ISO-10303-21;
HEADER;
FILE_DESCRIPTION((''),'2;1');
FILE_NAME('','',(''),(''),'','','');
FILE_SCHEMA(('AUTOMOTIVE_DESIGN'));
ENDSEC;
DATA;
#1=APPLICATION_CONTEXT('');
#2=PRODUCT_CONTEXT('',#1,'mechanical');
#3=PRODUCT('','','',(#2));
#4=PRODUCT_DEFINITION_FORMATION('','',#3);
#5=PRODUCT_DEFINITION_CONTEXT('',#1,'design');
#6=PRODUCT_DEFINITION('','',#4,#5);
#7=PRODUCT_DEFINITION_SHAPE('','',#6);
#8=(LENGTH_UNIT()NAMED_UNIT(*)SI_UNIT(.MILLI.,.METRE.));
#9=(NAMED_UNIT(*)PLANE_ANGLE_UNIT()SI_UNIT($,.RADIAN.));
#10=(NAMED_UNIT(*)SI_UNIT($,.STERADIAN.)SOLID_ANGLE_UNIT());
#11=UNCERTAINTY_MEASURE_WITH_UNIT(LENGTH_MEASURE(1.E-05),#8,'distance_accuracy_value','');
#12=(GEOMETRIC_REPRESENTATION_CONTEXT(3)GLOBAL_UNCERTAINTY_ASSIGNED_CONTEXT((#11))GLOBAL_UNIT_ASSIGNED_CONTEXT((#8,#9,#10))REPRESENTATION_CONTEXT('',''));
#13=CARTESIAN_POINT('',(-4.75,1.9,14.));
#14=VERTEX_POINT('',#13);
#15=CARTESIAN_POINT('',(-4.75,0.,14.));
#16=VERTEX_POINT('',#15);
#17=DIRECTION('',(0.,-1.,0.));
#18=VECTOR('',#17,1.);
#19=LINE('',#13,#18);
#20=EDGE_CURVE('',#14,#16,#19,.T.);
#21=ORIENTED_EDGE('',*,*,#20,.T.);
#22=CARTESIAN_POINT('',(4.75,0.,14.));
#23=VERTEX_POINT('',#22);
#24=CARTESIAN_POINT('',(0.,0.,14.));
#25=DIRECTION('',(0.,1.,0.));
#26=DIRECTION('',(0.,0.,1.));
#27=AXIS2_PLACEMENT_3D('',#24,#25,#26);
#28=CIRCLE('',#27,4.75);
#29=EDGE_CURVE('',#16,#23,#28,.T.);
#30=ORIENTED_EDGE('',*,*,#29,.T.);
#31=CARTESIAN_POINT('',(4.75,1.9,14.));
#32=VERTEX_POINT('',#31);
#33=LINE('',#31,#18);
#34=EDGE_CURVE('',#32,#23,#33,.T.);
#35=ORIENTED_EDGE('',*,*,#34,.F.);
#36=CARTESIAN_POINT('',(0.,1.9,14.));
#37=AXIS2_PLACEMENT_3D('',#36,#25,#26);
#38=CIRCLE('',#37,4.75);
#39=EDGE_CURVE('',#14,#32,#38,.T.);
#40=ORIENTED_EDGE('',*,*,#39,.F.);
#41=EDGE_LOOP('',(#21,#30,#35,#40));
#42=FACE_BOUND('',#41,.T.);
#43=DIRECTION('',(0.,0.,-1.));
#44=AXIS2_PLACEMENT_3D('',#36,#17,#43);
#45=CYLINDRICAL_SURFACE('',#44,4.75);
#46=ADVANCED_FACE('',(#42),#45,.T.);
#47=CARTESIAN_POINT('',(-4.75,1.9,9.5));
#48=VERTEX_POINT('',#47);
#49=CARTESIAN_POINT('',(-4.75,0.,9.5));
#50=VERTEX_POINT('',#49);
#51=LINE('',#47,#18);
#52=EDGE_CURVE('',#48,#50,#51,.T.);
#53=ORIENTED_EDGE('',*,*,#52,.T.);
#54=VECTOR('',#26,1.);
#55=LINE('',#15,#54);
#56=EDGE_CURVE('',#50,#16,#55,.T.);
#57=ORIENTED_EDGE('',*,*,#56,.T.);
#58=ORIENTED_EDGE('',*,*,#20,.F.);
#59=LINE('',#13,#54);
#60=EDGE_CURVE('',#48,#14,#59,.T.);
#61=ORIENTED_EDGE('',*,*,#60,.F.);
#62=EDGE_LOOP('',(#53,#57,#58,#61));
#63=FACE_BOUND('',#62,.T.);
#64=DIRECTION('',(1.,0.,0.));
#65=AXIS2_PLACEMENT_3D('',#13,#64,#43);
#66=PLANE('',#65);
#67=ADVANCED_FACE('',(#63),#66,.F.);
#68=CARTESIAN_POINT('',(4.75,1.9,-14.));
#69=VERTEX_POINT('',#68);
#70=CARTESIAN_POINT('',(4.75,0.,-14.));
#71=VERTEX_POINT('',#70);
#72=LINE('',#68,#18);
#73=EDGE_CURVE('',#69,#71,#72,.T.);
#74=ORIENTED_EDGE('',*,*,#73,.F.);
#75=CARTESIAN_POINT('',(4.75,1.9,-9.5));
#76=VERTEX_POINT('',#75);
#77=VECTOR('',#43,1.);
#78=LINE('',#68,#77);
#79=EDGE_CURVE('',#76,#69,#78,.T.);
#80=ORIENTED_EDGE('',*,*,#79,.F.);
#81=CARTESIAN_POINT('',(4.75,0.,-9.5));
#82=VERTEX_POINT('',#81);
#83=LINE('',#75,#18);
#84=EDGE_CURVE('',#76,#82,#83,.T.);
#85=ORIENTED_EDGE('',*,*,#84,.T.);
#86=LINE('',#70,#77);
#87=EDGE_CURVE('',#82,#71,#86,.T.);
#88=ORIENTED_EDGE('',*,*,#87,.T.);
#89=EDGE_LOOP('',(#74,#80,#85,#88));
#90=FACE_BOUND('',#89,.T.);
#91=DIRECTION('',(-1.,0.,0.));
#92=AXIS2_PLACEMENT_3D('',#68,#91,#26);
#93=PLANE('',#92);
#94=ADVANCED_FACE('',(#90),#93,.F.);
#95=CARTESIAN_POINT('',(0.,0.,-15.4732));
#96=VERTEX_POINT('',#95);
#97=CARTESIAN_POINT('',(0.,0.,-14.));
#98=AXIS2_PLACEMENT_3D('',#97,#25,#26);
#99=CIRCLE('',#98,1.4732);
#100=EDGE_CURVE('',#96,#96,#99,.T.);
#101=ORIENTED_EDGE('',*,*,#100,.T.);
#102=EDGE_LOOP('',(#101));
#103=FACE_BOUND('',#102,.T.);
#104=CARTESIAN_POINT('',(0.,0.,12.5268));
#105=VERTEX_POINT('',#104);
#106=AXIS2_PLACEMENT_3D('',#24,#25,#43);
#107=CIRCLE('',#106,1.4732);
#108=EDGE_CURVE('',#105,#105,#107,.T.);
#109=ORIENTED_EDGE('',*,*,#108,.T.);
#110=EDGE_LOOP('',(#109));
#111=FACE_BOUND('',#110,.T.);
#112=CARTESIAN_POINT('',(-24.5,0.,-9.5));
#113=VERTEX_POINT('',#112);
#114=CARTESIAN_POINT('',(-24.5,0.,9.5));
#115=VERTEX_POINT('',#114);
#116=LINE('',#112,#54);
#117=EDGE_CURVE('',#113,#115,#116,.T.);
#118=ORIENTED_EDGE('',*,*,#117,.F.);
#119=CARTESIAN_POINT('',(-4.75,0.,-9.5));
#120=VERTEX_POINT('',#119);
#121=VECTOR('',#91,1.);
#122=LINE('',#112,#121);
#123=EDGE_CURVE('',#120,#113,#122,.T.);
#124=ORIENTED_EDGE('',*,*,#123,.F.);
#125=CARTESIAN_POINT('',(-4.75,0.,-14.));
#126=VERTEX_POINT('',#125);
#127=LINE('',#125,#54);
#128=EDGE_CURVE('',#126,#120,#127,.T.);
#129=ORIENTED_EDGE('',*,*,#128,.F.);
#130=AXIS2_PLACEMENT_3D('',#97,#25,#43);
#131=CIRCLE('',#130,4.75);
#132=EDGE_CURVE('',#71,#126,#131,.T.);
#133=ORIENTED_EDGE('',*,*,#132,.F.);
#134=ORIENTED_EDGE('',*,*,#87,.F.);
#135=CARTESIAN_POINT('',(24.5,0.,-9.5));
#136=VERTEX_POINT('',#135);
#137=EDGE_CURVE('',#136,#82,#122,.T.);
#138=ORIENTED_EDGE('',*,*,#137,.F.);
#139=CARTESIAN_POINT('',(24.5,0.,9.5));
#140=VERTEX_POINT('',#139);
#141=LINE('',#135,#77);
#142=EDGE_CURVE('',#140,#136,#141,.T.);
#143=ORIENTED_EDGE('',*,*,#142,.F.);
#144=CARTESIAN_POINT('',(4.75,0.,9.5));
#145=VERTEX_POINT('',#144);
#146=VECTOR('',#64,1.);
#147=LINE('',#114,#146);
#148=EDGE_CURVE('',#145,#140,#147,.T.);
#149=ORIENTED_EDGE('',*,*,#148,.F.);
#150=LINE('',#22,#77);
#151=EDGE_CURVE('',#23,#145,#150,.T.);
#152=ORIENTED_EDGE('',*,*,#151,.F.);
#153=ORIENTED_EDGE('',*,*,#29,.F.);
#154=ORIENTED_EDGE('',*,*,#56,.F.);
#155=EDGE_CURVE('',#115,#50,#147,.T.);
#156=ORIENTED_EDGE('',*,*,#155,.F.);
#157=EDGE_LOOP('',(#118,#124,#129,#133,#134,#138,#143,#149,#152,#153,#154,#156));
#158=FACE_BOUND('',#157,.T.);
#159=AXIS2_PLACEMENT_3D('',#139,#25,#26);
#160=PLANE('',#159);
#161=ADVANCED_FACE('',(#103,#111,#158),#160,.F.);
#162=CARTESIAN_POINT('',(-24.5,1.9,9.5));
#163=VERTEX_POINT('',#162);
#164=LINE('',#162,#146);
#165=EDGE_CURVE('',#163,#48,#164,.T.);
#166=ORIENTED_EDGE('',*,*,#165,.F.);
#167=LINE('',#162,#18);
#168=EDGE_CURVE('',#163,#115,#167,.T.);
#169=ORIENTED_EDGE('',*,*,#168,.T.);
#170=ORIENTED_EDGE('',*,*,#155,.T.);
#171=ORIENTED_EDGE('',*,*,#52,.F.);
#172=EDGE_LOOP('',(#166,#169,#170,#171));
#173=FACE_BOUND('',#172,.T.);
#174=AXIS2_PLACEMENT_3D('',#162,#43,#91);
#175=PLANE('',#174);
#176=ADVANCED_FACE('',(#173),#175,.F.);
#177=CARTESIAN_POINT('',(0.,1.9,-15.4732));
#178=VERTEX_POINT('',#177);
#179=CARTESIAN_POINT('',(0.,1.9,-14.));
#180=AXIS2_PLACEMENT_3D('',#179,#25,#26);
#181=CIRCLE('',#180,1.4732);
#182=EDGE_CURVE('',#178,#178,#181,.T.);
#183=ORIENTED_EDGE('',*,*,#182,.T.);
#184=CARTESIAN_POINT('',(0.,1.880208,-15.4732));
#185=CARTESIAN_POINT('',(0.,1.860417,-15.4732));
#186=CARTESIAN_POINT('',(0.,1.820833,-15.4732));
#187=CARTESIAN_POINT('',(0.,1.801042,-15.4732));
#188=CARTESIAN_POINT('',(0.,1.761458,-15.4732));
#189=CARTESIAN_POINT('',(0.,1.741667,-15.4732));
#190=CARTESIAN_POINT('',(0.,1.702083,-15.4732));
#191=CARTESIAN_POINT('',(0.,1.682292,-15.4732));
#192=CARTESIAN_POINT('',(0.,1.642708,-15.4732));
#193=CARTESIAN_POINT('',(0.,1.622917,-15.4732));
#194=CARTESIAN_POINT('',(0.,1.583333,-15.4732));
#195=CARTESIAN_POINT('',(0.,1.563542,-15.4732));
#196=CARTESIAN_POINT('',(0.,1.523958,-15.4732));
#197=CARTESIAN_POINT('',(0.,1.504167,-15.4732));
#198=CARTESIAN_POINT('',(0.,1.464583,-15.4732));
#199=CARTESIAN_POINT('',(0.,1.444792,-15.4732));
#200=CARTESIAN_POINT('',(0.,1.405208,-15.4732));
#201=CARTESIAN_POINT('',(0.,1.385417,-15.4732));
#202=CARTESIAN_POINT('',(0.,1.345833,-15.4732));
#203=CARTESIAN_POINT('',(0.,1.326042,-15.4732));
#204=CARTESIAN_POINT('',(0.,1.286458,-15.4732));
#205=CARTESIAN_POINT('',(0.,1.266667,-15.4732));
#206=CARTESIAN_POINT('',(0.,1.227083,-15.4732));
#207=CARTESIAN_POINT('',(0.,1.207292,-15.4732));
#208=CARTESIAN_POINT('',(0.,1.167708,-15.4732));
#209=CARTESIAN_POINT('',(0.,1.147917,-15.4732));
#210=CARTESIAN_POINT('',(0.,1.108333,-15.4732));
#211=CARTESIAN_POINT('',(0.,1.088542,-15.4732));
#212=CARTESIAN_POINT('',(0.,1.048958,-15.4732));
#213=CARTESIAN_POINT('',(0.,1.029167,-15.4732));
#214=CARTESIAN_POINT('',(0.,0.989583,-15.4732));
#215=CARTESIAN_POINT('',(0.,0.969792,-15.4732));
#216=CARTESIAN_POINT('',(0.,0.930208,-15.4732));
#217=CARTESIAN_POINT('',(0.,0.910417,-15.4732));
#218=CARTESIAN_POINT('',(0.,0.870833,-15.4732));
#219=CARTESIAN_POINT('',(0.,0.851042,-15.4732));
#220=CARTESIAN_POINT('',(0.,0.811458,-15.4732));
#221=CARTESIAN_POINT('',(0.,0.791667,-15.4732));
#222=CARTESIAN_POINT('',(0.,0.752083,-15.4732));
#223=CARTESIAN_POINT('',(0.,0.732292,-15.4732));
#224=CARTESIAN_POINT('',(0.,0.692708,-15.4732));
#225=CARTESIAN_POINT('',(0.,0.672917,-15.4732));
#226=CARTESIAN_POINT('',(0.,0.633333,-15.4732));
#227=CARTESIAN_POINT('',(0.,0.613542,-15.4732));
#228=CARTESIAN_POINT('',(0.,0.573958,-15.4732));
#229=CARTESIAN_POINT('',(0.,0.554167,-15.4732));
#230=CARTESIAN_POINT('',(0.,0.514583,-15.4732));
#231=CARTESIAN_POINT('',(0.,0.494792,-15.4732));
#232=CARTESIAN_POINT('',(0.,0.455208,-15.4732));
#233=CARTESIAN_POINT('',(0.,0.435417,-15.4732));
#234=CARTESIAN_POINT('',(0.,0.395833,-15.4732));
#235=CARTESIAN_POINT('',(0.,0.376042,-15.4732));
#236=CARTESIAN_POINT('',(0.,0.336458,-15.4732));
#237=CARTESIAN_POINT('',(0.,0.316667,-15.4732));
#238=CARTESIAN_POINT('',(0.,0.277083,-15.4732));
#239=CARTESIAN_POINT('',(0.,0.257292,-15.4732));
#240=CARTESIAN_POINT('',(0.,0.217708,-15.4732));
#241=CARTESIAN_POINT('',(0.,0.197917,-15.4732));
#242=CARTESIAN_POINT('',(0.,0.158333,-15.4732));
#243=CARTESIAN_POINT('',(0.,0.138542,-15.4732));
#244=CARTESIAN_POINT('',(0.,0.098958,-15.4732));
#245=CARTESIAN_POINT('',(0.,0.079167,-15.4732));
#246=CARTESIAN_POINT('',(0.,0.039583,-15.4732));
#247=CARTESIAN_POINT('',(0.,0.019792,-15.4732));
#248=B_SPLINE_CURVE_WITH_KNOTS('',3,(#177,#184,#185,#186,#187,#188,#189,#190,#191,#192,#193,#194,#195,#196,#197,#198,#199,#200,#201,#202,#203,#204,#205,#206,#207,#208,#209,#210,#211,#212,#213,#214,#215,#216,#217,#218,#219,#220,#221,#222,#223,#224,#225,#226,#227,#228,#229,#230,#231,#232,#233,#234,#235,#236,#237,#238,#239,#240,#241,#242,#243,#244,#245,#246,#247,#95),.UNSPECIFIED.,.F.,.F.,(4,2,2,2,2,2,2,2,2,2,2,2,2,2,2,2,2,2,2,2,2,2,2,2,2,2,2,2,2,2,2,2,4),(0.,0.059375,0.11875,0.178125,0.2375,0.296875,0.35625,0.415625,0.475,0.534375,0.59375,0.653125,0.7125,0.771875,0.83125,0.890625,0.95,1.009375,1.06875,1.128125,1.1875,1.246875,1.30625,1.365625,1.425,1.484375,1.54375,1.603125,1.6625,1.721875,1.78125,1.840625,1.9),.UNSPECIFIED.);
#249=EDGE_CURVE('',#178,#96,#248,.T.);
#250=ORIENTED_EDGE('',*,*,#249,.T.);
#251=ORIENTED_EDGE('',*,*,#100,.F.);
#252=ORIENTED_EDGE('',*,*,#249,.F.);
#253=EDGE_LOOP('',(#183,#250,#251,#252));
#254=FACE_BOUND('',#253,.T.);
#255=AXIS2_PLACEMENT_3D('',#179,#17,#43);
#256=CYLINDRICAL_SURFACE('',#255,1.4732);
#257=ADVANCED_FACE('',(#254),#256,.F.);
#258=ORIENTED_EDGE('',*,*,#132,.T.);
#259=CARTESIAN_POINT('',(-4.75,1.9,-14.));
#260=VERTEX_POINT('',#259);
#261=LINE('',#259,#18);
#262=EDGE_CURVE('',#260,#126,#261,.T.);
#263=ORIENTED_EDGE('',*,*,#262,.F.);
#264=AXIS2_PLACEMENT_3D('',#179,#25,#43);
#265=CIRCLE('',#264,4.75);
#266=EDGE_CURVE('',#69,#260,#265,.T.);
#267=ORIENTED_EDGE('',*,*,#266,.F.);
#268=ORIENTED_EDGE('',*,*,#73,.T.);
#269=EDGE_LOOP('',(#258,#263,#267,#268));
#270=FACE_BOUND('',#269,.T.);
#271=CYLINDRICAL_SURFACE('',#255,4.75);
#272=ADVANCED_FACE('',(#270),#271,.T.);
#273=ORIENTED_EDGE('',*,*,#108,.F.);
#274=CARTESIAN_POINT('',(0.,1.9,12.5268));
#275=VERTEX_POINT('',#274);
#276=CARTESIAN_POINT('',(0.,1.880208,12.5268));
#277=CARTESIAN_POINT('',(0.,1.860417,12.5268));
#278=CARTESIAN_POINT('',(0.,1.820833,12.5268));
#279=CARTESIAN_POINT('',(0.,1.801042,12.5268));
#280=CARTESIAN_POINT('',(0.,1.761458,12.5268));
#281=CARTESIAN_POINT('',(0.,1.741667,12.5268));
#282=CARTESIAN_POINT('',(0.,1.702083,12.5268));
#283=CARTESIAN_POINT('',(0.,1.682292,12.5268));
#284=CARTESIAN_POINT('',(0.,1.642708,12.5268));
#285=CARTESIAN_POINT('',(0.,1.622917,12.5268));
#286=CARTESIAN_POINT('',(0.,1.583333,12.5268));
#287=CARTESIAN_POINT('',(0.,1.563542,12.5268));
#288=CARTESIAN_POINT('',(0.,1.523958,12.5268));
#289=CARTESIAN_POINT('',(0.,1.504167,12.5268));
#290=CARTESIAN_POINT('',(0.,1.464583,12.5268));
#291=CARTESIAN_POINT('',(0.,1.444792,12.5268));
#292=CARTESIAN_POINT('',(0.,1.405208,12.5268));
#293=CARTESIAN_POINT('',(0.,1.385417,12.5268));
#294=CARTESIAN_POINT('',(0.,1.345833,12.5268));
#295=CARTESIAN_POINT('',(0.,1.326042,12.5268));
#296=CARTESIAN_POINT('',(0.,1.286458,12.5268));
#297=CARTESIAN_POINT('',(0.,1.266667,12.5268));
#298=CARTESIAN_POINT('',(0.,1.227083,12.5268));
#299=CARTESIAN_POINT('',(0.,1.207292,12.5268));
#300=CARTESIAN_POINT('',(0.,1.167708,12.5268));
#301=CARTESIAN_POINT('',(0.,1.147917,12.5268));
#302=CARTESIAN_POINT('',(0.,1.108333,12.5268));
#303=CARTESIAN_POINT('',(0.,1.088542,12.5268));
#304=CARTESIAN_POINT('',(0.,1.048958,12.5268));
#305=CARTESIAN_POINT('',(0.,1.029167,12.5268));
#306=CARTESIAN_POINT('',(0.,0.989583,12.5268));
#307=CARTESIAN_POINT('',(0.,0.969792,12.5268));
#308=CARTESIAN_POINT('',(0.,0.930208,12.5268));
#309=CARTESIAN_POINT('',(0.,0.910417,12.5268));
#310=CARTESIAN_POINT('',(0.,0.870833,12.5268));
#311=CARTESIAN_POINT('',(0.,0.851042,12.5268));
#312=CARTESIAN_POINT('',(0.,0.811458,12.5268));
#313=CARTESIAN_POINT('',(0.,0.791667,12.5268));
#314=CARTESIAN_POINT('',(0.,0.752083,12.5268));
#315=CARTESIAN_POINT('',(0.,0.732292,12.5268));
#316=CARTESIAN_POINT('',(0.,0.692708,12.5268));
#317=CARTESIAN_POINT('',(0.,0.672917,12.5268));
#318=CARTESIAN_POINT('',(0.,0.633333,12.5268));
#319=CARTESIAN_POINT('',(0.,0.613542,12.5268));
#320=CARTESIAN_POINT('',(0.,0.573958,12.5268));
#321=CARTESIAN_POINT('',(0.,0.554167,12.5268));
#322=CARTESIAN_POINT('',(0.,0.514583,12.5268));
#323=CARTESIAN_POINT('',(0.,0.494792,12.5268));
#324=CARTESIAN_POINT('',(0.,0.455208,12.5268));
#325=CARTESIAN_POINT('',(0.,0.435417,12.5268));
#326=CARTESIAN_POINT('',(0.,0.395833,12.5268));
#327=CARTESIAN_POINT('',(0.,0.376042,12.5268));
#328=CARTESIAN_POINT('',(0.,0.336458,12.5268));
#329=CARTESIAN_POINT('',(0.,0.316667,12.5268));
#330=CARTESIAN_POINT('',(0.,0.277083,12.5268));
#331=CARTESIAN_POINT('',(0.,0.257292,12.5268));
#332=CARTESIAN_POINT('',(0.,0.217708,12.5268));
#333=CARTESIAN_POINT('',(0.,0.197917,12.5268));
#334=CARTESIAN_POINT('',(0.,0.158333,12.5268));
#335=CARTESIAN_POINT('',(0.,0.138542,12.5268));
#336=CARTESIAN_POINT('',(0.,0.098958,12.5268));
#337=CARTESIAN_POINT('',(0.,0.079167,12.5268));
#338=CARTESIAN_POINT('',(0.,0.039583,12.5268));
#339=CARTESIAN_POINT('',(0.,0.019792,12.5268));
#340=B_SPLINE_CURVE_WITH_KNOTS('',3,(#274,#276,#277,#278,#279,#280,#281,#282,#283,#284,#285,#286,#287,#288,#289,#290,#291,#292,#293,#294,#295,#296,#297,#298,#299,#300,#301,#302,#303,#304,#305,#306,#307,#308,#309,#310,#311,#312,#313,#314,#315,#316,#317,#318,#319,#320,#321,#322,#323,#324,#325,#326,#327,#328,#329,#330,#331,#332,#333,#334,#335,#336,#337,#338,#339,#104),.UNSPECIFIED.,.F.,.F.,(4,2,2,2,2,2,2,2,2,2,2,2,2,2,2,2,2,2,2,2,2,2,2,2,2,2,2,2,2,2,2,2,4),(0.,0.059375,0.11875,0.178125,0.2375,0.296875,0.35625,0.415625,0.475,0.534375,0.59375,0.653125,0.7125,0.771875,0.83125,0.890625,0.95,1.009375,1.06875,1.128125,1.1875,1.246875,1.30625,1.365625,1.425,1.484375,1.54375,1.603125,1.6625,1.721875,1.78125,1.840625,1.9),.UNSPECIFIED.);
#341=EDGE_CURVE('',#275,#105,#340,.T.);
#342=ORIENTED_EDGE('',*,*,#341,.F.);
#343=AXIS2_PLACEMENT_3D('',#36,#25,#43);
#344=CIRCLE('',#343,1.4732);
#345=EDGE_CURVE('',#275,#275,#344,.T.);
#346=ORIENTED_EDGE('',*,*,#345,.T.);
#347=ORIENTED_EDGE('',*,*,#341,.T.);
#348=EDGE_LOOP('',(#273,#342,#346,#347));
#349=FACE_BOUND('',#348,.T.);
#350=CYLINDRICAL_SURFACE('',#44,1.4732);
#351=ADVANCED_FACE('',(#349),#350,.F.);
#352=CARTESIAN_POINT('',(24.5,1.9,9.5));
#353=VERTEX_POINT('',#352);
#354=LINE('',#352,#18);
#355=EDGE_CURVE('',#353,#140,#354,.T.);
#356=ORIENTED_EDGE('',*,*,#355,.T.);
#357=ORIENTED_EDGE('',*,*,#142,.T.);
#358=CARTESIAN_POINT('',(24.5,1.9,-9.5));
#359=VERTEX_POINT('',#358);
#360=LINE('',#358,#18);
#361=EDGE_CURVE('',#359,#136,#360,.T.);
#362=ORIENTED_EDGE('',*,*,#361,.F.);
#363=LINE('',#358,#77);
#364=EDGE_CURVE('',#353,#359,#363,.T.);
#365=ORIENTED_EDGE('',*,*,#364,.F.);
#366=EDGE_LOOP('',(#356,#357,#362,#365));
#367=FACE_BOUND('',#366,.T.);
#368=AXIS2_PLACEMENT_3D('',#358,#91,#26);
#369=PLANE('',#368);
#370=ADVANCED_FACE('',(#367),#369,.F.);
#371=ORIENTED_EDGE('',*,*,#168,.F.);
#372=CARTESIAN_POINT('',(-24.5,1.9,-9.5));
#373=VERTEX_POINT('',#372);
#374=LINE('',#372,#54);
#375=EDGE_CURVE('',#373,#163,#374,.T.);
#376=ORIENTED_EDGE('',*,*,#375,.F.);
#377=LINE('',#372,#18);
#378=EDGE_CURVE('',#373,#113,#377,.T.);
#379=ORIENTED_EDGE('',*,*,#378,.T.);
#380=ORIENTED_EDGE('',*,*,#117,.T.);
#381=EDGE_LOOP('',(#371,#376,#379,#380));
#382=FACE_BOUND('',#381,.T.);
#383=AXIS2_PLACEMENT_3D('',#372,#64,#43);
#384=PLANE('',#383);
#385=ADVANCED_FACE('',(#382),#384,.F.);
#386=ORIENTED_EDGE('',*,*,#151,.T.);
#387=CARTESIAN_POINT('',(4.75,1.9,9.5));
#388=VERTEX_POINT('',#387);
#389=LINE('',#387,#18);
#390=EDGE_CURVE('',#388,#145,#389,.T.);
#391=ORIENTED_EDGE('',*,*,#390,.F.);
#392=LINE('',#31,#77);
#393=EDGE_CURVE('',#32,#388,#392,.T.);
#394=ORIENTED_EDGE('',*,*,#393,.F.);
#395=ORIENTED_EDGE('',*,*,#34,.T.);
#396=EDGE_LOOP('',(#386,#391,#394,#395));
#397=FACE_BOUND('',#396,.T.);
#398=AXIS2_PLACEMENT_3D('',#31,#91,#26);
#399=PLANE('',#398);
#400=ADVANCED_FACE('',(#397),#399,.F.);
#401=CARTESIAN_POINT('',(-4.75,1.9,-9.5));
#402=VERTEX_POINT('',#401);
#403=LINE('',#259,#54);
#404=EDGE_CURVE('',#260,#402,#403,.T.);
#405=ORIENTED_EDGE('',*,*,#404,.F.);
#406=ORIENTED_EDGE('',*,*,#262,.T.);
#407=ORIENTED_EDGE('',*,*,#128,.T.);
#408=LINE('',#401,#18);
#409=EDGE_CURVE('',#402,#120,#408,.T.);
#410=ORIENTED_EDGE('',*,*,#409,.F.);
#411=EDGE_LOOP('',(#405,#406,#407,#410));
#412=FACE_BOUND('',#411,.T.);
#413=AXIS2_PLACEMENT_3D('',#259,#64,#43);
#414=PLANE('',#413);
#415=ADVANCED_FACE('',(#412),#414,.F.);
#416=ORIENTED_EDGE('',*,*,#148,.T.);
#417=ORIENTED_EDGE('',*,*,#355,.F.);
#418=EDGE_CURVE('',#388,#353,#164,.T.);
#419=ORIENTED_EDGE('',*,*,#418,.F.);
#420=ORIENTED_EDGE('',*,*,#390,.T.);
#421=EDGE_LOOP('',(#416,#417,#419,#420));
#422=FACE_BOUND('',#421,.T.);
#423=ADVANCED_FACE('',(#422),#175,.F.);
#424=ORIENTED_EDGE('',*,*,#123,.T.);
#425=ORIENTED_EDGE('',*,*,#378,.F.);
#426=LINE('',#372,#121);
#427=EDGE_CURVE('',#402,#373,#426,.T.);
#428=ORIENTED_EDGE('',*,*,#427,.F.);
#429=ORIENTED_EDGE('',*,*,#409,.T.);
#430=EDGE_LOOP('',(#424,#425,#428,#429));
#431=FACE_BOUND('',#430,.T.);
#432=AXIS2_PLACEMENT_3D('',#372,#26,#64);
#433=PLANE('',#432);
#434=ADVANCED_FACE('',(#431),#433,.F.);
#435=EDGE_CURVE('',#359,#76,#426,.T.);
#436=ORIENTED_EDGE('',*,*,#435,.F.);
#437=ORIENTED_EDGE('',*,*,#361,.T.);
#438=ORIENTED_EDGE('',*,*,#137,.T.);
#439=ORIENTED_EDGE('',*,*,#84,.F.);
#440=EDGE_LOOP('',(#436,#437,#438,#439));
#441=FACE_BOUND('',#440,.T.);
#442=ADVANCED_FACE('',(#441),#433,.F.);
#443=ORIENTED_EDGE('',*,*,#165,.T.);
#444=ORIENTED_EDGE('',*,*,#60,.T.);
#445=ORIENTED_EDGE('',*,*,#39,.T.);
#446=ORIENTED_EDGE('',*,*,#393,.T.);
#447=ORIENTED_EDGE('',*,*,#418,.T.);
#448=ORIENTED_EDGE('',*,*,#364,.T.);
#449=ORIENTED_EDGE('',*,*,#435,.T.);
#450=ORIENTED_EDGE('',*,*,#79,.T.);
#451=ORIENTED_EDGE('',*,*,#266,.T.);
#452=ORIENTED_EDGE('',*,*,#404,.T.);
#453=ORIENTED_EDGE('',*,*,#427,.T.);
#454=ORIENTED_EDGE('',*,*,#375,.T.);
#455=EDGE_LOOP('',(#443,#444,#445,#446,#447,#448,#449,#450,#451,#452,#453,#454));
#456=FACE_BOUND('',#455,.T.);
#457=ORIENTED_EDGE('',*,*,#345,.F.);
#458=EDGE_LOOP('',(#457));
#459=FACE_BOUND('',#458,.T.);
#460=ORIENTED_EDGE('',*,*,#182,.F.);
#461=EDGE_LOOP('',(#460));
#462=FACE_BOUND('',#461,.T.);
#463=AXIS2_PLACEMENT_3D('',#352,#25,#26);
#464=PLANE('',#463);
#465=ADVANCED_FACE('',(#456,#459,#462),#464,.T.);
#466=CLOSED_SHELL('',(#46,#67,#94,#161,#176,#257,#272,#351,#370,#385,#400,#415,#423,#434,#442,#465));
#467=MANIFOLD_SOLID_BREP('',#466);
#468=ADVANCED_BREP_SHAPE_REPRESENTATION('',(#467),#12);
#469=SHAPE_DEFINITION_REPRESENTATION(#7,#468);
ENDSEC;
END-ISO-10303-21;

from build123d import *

# Parameters (mm, degrees)
SKETCH1_W           = 49
SKETCH1_H           = 19
BOSS_EXTRUDE1_DEPTH = 1.9
SKETCH2_R           = 1.4732
BOSS_EXTRUDE2_DEPTH = 1.9


with BuildPart() as part:
    # Sketch1 → Boss-Extrude1 (new body)
    with BuildSketch(Plane(origin=(0, 0, 0), x_dir=(1, 0, 0), z_dir=(0, 1, 0))):
        Rectangle(SKETCH1_W, SKETCH1_H)
    extrude(amount=BOSS_EXTRUDE1_DEPTH)

    # Sketch2 → Boss-Extrude2 (add)
    # profile 1 of 2: a face of its own
    with BuildSketch(Plane(origin=(0, 0, 0), x_dir=(1, 0, 0), z_dir=(0, 1, 0))):
        with BuildLine():
            Line((-4.75, 14), (-4.75, 9.5))
            Line((-4.75, 9.5), (4.75, 9.5))
            Line((4.75, 9.5), (4.75, 14))
            ThreePointArc((4.75, 14), (0, 18.75), (-4.75, 14))
        make_face()
        with Locations(Location((0, 14, 0), (0, 0, 90))):
            Circle(SKETCH2_R, mode=Mode.SUBTRACT)
    # profile 2 of 2: a face of its own
    with BuildSketch(Plane(origin=(0, 0, 0), x_dir=(1, 0, 0), z_dir=(0, 1, 0))):
        with BuildLine():
            Line((4.75, -14), (4.75, -9.5))
            Line((4.75, -9.5), (-4.75, -9.5))
            Line((-4.75, -9.5), (-4.75, -14))
            ThreePointArc((-4.75, -14), (0, -18.75), (4.75, -14))
        make_face()
        with Locations(Location((0, -14, 0), (0, 0, 90))):
            Circle(SKETCH2_R, mode=Mode.SUBTRACT)
    extrude(amount=BOSS_EXTRUDE2_DEPTH)


solid = part.part
